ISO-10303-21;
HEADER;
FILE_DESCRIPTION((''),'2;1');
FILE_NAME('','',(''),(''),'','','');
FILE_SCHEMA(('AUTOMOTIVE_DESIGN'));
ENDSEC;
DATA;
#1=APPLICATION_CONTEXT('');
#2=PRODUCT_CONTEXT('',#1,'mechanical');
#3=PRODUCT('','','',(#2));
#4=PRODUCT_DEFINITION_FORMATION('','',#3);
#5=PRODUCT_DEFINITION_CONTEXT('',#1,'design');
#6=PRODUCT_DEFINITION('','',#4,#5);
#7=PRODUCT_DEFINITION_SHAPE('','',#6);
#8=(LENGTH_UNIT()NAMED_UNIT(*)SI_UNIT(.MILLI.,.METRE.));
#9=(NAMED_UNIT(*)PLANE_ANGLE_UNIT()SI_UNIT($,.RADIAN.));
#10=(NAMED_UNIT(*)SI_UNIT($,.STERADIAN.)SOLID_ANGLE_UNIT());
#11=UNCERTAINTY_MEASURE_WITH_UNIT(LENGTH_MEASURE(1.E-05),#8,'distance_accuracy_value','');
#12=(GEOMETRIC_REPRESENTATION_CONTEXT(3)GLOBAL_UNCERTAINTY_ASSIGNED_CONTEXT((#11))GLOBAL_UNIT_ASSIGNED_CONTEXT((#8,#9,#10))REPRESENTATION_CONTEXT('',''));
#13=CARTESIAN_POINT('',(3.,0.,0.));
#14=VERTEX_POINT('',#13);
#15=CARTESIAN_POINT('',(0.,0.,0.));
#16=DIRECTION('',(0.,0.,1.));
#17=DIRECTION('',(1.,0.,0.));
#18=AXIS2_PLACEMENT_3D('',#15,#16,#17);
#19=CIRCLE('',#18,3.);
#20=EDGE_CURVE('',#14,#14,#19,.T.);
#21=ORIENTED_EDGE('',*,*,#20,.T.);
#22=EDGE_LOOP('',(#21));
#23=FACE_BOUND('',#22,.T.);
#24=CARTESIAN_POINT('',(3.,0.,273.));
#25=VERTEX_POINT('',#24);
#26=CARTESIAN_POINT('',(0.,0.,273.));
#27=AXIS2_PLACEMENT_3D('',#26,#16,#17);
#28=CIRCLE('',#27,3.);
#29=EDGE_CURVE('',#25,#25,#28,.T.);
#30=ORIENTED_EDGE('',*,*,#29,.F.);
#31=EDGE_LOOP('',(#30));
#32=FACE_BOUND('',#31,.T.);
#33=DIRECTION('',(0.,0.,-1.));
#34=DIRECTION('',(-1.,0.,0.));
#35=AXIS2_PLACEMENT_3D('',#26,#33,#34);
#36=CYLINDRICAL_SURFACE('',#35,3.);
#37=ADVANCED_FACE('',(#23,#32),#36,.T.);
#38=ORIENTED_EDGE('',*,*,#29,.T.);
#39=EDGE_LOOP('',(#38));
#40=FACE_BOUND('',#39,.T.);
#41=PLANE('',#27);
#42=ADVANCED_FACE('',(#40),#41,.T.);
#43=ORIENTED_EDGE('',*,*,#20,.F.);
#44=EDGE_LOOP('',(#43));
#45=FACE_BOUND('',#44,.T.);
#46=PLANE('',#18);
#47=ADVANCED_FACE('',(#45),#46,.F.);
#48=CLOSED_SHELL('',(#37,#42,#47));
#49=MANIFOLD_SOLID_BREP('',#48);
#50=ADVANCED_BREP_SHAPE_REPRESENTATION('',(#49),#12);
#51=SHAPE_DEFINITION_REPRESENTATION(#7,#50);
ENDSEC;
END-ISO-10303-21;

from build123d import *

# Parameters (mm, degrees)
ESQUISSE1_R      = 3
EXTRUSION1_DEPTH = 273


with BuildPart() as part:
    # Esquisse1 → Extrusion1 (new body)
    with BuildSketch(Plane.XY):
        Circle(ESQUISSE1_R)
    extrude(amount=EXTRUSION1_DEPTH)


solid = part.part
